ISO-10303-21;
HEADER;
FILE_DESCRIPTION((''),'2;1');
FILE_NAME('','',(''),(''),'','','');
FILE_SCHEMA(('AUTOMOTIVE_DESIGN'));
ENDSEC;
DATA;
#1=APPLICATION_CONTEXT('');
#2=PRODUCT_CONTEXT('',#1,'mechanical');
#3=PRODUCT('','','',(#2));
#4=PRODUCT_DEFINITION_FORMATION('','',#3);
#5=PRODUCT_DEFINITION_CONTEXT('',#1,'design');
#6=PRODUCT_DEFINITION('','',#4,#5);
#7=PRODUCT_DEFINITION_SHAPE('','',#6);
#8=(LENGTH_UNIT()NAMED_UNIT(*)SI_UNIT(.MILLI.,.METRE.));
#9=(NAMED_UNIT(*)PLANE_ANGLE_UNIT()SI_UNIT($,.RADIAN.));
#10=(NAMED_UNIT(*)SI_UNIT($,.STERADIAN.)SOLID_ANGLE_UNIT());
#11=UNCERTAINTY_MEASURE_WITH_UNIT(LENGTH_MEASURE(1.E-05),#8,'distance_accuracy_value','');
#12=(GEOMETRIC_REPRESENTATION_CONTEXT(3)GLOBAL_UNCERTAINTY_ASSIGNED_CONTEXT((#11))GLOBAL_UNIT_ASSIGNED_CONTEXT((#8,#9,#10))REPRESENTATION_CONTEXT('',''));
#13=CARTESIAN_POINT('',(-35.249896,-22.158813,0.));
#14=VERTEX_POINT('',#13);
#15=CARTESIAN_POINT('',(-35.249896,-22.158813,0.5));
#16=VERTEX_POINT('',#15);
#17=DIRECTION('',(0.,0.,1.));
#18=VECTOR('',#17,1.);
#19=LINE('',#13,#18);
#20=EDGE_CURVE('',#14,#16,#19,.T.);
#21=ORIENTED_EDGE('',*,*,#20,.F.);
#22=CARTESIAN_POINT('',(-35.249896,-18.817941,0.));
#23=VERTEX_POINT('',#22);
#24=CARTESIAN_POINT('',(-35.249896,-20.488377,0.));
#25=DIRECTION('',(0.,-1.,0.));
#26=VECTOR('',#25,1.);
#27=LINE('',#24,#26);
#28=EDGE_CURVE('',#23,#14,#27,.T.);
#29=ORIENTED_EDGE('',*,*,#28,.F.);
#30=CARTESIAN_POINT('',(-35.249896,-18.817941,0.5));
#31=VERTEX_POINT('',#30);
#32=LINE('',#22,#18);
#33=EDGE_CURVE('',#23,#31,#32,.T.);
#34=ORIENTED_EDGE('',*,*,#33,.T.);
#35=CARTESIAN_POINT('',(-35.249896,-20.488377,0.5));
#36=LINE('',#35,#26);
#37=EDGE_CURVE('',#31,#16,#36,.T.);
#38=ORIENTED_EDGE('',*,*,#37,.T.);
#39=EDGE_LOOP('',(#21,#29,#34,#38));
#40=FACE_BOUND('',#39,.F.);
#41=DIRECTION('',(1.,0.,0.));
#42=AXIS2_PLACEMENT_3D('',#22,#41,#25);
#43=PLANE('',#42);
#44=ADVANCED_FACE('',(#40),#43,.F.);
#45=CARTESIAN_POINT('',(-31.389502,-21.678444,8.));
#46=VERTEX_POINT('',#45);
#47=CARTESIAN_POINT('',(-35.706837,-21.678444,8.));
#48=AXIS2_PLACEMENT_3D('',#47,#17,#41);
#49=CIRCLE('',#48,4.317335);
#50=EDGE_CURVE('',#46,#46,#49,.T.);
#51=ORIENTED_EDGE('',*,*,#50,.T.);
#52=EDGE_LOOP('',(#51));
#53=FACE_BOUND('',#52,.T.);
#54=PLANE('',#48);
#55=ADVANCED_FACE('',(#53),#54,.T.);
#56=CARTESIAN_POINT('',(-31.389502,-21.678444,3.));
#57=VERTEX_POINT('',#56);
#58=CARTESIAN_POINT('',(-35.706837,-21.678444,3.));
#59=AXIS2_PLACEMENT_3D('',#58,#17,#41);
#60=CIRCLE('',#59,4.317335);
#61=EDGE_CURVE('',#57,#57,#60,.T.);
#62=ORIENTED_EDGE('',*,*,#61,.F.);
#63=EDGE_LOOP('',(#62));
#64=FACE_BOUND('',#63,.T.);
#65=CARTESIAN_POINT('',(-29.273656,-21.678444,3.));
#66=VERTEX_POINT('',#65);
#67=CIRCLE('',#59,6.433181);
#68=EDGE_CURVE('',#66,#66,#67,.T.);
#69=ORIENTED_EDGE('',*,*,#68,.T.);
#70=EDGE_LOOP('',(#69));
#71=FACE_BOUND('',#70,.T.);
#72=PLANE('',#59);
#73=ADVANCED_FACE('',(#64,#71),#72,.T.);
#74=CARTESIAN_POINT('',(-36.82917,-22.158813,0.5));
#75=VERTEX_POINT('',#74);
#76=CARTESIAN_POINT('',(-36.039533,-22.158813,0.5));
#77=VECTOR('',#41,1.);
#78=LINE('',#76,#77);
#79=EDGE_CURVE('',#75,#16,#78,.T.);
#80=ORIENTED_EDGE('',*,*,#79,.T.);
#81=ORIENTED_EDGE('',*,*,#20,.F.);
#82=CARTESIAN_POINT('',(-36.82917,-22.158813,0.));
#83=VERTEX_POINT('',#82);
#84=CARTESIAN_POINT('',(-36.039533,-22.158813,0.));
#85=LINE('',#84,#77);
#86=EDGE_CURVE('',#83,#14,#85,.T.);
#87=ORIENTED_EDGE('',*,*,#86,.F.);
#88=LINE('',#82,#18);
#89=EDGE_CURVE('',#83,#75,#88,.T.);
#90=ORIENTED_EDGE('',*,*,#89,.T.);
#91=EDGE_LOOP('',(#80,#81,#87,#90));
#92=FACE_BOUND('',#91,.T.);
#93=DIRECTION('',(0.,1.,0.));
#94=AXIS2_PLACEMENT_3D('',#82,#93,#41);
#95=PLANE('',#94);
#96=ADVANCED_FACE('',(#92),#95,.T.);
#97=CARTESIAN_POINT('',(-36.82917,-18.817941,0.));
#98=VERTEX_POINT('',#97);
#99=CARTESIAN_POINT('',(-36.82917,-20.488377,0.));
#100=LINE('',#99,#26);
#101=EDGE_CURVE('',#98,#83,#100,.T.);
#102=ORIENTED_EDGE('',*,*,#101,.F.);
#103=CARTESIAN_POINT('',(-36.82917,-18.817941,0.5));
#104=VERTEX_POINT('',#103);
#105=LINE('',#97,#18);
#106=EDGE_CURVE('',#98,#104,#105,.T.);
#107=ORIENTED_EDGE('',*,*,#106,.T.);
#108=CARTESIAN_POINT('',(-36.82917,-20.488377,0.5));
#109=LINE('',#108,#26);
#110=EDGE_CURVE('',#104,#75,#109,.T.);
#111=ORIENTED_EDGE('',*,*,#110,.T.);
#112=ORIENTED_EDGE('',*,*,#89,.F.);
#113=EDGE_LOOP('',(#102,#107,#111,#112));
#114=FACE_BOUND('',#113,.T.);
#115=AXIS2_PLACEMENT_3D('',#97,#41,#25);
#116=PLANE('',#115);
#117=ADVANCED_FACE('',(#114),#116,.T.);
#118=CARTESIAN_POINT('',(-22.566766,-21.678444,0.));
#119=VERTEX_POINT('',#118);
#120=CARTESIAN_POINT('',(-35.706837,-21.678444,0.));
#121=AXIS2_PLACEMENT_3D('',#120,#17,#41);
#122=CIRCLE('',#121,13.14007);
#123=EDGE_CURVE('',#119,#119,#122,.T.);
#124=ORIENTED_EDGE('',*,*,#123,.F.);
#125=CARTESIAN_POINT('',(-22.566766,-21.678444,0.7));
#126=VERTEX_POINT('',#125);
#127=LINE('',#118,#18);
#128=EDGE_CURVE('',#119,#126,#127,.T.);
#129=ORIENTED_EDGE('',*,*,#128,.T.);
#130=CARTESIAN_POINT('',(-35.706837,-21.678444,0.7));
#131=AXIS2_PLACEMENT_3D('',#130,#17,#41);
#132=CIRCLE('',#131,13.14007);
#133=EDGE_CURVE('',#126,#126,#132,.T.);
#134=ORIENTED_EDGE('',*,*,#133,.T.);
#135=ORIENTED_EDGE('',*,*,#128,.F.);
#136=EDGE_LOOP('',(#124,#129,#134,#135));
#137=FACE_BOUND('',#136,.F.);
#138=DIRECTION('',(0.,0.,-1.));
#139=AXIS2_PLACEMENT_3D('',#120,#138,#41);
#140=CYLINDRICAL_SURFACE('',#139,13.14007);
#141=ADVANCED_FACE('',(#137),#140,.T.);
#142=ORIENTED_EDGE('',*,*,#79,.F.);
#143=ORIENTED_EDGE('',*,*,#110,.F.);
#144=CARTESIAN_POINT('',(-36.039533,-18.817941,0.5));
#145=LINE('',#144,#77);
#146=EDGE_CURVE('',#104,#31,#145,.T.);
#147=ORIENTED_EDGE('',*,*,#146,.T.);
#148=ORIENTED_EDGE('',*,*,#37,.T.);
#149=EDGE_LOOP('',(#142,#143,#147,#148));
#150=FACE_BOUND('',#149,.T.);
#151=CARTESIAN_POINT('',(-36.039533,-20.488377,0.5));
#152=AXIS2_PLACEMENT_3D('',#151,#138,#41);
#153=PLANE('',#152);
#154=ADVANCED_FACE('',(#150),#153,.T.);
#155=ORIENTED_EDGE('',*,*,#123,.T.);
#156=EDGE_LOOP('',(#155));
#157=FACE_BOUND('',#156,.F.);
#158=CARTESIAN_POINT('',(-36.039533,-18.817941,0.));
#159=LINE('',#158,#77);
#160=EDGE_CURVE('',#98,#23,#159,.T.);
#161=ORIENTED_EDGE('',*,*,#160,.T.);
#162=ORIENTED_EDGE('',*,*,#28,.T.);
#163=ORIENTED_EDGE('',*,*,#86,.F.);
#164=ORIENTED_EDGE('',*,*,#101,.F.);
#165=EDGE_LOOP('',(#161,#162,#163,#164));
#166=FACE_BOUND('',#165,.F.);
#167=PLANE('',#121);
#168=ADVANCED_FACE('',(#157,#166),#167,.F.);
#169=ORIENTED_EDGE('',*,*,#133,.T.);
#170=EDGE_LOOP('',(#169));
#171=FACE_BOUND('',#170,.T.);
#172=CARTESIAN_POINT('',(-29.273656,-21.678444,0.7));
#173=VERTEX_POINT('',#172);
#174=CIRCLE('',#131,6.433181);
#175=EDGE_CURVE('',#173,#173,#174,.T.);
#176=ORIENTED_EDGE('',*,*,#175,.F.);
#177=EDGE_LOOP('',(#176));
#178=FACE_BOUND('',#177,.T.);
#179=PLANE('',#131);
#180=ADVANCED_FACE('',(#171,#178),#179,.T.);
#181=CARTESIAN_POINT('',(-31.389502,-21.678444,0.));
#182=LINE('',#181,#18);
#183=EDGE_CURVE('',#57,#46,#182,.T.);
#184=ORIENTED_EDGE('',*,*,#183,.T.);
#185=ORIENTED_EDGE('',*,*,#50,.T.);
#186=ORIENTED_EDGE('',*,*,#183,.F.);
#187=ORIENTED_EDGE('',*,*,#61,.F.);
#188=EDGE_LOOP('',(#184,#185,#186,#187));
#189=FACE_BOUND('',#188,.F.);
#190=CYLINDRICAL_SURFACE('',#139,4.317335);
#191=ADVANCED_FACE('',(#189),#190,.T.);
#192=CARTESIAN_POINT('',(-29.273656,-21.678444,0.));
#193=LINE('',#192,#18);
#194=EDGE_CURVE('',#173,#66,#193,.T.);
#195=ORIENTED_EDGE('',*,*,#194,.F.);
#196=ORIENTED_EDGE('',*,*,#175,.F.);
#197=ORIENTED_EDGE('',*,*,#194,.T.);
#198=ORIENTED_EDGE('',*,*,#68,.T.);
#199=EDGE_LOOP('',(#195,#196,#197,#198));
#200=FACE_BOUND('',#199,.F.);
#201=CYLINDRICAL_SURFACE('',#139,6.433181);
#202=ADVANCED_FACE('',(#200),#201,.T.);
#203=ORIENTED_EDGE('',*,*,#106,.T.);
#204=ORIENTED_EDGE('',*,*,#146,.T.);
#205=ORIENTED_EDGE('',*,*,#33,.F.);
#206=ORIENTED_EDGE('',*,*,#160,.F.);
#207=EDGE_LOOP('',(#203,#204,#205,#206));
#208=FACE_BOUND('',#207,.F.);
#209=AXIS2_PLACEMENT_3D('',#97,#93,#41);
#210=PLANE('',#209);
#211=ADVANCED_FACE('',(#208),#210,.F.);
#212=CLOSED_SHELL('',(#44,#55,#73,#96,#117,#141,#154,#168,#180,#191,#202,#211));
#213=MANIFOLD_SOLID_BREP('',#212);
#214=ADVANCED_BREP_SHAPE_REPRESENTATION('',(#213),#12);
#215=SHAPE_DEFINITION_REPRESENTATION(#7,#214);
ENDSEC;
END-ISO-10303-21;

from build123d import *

# Parameters (mm, degrees)
F0_R      = 4.325
F1_DEPTH  = 3
F0_R_2    = 5
F1_FACE_R = 4.325
F2_DEPTH  = 0.7
F0_R_3    = 13.1400703873
F0_R_4    = 6.4331806046
F0_R_5    = 4.3173351149
F3_DEPTH  = 8
F4_DEPTH  = 3
F7_W      = 1.5792734921
F7_H      = 3.3408720046
F8_DEPTH  = 0.5


with BuildPart() as f1:
    # F0 (on Top) → F1 (new body)
    with BuildSketch(Plane.XY):
        Circle(F0_R)
    extrude(amount=-F1_DEPTH)

    # F0 (on Top) + F1_face (on face) → F2 (join)
    with BuildSketch(Plane.XY):
        Circle(F0_R_2)
        Circle(F0_R, mode=Mode.SUBTRACT)
    with BuildSketch(Plane.XY):
        Circle(F1_FACE_R)
    extrude(amount=F2_DEPTH)


with BuildPart() as f2:
    # F0 (on Top) → F2, piece 2 (new body)
    with BuildSketch(Plane.XY):
        with Locations((-35.7068367302, -21.6784439981)):
            Circle(F0_R_3)
        with Locations((-35.7068367302, -21.6784439981)):
            Circle(F0_R_4, mode=Mode.SUBTRACT)
    extrude(amount=F2_DEPTH)


with BuildPart() as f3:
    # F0 (on Top) → F3 (new body)
    with BuildSketch(Plane.XY):
        with Locations((-35.7068367302, -21.6784439981)):
            Circle(F0_R_5)
    extrude(amount=F3_DEPTH)


with BuildPart() as f4:
    # F0 (on Top) → F4 (new body)
    with BuildSketch(Plane.XY):
        with Locations((-35.7068367302, -21.6784439981)):
            Circle(F0_R_4)
        with Locations((-35.7068367302, -21.6784439981)):
            Circle(F0_R_5, mode=Mode.SUBTRACT)
    extrude(amount=F4_DEPTH)


with BuildPart() as f2_1:
    add(f2.part)

    # F6: union F3, F4
    add(f3.part)
    add(f4.part)

    # F7 (on face) → F8 (cut)
    with BuildSketch(Plane(origin=(0, 0, 0), x_dir=(1, 0, 0), z_dir=(0, 0, -1))):
        with Locations((-36.0395330936, 20.4883767292)):
            Rectangle(F7_W, F7_H)
    extrude(amount=-F8_DEPTH, mode=Mode.SUBTRACT)


solid = f2_1.part
